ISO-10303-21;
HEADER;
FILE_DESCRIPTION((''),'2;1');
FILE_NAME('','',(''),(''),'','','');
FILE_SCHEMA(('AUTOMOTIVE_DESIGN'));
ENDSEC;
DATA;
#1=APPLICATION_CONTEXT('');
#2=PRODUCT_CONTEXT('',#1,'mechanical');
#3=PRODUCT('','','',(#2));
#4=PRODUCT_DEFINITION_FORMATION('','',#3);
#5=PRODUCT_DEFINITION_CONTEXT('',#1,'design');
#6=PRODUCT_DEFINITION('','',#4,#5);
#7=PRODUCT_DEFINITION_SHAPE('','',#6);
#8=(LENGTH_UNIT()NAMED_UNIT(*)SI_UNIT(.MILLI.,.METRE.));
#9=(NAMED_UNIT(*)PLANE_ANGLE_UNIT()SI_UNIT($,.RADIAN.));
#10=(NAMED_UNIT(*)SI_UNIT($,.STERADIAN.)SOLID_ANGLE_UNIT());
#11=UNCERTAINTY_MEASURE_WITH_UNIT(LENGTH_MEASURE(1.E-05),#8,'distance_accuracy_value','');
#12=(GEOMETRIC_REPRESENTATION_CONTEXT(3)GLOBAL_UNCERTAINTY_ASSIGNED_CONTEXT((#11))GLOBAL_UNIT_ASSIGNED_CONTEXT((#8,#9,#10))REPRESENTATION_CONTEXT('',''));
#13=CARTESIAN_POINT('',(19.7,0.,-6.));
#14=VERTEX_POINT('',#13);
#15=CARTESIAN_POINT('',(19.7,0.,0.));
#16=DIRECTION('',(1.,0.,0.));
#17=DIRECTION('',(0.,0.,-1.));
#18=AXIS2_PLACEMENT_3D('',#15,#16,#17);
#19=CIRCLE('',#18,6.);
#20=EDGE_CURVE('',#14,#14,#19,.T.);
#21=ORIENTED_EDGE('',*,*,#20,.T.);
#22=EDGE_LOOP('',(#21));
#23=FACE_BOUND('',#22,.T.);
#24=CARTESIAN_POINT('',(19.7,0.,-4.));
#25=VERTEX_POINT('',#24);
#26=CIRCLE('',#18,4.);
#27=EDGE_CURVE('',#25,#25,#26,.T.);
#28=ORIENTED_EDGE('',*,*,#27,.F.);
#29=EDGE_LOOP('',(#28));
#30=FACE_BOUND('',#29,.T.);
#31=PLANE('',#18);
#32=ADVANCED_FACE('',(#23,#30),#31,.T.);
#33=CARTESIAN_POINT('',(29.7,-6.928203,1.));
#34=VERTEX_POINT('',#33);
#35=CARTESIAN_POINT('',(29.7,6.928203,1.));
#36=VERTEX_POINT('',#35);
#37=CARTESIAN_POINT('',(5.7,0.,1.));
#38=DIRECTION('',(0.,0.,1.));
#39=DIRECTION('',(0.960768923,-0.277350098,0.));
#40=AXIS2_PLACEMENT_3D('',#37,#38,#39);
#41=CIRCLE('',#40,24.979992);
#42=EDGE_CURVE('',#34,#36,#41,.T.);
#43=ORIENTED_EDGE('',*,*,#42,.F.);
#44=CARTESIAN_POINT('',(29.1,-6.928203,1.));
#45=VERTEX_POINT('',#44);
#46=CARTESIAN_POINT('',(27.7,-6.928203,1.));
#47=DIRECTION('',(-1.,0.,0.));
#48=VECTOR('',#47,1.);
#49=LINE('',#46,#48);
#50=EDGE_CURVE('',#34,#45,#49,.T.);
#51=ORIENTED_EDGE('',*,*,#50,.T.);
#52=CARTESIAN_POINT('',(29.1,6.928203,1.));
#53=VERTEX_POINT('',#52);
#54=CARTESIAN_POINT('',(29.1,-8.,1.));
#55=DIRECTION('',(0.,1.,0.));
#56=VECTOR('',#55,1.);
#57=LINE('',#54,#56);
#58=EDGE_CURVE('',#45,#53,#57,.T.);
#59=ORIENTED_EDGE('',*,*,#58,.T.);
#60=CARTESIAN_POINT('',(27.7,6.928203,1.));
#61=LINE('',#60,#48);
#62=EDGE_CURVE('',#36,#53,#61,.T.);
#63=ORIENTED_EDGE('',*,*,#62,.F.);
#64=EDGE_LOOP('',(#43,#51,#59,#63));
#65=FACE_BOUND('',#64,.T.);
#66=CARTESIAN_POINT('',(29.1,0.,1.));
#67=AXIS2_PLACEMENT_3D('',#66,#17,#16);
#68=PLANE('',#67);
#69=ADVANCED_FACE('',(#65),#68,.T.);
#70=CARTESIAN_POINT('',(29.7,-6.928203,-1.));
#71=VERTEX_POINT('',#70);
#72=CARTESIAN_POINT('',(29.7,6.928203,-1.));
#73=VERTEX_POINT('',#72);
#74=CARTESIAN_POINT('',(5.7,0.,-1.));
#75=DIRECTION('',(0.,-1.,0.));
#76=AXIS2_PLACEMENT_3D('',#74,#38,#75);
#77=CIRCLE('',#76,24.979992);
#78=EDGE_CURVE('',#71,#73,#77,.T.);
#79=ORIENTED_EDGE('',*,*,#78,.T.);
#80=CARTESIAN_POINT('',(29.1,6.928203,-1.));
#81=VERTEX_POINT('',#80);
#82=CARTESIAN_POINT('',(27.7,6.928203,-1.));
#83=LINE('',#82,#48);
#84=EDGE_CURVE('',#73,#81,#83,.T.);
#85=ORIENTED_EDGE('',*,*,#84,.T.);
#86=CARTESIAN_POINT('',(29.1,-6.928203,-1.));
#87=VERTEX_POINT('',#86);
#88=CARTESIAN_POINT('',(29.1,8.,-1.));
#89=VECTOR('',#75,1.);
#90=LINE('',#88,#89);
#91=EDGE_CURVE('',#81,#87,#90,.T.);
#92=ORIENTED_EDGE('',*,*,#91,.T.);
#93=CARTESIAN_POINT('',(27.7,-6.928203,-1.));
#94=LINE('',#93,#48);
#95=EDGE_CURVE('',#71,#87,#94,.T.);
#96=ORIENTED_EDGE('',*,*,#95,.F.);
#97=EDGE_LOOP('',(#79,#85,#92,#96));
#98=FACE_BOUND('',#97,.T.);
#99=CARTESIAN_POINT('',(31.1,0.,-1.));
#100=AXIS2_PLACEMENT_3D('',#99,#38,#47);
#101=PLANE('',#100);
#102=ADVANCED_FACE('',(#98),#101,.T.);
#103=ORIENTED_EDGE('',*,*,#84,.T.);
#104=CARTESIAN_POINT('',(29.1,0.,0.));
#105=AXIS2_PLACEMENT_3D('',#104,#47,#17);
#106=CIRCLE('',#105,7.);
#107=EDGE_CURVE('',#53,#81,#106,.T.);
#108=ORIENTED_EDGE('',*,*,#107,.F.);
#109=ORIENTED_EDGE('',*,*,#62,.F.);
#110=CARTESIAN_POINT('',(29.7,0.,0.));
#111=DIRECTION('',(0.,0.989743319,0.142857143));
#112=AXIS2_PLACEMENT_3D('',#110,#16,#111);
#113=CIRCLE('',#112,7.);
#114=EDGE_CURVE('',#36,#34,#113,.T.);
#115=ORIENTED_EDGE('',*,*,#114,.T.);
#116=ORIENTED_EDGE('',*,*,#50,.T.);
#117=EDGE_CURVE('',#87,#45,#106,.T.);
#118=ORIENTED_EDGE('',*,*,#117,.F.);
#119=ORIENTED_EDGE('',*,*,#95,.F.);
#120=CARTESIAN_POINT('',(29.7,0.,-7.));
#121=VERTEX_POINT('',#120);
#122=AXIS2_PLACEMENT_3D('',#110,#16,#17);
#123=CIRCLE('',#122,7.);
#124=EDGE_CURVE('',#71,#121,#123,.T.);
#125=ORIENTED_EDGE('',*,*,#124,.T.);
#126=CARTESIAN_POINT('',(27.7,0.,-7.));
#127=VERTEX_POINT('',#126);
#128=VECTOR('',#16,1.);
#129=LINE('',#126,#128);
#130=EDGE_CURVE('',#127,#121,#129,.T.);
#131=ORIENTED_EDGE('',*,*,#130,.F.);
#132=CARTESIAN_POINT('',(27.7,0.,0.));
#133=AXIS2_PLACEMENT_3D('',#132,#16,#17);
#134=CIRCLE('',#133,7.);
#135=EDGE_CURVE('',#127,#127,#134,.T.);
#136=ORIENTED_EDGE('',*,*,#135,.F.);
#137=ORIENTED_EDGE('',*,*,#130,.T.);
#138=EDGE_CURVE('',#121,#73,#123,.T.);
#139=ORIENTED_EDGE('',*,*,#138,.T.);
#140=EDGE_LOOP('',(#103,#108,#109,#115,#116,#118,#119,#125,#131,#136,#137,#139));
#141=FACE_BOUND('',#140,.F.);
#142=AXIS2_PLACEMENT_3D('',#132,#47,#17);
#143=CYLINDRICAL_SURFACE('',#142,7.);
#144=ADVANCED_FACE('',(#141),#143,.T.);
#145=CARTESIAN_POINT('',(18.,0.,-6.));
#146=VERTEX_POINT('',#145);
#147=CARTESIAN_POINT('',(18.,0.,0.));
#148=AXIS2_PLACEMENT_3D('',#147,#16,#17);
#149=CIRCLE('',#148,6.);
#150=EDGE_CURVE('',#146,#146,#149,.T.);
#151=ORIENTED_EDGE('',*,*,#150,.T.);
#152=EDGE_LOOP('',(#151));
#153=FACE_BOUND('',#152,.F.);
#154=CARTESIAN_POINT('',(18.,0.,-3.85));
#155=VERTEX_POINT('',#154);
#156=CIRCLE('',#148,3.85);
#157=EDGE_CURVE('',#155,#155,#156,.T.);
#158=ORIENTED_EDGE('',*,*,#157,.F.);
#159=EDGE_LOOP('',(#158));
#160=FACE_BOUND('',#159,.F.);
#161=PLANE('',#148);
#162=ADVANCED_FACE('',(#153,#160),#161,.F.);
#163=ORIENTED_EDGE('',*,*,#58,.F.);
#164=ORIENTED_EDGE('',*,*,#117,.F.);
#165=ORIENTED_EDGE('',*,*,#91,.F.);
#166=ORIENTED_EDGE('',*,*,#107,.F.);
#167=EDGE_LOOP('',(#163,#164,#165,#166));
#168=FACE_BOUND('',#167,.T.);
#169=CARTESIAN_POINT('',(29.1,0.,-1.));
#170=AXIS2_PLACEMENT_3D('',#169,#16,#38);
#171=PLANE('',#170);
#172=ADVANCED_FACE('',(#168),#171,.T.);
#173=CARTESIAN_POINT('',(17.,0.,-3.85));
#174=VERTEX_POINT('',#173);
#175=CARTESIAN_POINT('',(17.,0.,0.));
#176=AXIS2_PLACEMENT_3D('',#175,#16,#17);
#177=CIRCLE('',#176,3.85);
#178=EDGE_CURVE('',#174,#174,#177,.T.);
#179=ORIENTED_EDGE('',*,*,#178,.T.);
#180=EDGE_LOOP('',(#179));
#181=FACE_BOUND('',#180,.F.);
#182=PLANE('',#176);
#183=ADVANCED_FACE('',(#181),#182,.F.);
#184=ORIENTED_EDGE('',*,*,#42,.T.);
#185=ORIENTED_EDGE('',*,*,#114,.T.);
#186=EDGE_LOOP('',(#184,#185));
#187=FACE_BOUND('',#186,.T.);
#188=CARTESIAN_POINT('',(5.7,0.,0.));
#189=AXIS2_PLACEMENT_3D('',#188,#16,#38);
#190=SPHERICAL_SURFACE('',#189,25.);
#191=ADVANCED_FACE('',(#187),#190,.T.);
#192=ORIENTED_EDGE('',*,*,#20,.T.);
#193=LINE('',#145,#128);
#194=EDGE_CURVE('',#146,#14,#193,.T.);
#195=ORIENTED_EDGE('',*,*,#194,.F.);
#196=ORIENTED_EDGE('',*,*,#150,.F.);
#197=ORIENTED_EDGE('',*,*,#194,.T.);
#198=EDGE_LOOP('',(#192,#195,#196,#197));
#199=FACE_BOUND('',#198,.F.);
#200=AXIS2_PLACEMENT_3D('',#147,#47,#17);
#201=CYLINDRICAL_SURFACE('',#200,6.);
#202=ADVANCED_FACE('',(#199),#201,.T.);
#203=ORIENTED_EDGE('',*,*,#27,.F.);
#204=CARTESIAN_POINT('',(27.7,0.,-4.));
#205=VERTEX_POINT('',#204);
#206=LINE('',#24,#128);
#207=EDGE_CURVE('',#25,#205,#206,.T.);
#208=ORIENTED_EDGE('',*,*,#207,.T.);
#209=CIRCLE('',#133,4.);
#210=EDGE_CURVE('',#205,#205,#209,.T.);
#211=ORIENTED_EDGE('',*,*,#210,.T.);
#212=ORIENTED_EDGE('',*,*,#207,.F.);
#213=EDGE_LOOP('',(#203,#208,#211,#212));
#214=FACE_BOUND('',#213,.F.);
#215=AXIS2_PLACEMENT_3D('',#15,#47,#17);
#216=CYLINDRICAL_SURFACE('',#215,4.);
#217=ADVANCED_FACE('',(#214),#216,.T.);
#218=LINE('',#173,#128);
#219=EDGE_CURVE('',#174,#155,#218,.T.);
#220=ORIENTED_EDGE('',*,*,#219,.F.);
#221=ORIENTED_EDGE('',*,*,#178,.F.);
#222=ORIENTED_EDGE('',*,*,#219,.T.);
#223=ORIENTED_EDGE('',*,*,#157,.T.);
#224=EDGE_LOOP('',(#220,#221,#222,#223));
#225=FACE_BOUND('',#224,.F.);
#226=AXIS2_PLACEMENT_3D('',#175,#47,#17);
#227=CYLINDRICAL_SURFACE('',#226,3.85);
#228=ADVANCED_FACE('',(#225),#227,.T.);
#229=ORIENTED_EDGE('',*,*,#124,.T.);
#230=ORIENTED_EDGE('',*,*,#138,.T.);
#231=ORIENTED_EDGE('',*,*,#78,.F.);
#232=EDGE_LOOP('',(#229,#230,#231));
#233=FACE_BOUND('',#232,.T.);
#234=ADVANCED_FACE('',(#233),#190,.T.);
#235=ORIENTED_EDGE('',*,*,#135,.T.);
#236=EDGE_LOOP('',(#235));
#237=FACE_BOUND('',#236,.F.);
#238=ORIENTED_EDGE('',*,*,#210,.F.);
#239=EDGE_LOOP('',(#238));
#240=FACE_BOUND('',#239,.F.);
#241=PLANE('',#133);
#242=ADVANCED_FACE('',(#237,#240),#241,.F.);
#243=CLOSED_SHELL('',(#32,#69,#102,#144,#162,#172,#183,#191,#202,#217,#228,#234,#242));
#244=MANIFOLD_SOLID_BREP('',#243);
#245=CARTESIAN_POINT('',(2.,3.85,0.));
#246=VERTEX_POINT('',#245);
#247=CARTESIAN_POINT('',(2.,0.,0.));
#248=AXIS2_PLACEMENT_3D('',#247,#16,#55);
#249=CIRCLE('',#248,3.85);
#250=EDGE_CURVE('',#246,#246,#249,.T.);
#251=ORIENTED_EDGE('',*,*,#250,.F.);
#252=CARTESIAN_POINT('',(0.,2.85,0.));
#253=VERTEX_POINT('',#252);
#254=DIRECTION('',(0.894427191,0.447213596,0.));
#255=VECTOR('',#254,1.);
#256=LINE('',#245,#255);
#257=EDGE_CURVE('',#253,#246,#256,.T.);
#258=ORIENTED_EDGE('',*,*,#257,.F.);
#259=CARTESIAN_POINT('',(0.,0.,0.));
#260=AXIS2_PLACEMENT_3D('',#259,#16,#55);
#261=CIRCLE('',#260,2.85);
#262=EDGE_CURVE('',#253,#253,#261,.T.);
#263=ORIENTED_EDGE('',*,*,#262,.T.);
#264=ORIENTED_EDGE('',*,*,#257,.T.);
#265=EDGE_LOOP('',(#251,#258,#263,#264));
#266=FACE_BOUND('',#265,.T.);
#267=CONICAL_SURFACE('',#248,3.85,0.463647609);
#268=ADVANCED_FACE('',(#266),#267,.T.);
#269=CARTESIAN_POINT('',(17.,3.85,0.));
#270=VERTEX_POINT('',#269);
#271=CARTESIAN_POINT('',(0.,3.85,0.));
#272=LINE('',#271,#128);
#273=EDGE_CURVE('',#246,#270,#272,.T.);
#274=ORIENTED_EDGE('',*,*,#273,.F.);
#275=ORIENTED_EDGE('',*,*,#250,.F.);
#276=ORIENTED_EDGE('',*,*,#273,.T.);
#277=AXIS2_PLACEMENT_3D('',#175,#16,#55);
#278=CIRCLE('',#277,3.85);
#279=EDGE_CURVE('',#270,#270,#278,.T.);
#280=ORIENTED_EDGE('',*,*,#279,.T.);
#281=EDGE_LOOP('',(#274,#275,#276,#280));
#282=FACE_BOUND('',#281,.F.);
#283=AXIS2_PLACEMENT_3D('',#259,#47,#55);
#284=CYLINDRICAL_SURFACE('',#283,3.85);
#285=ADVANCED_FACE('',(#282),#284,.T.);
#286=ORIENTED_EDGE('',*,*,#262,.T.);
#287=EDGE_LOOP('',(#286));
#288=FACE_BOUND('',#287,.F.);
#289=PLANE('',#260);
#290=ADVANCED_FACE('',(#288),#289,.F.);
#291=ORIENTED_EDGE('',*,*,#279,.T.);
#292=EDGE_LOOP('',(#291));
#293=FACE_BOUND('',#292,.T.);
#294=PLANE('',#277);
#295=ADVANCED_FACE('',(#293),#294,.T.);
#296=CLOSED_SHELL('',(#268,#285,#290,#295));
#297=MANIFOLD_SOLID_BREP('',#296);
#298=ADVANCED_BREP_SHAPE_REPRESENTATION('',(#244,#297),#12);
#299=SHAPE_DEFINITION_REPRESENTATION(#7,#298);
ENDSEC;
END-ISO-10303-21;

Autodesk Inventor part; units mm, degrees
ref_plane "YZ Plane" through (0, 0, 0) normal (1, 0, 0) x (0, 1, 0)
ref_plane "XZ Plane" through (0, 0, 0) normal (0, 1, 0) x (-1, 0, 0)
ref_plane "XY Plane" through (0, 0, 0) normal (0, 0, 1) x (1, 0, 0)
sketch "Sketch1" plane through (0, 0, 0) normal (1, 0, 0) x (0, 1, 0)
  circle A0 centre (0, 0) radius 3.85
  dimension "d0" = 7.7
extrude "Extrusion1" add sketch "Sketch1" along normal blind 17
chamfer "Chamfer1" distance 1 distance2 2 1 edges at (0, -3.85, 0) measured on face at (0, -0.2235, 0.9948)
thread "Thread1" size "M8x1.25" class "6g" standard "ANSI Metric M Profile" full length
sketch "Sketch2" plane through (17, 0, 0) normal (1, 0, 0) x (0, 0, -1)
  circle A0 centre (0, 0) radius 3.85 projected
extrude "Extrusion2" add sketch "Sketch2" along normal blind 1 separate body
sketch "Sketch3" plane through (18, 0, 0) normal (1, 0, 0) x (0, 0, -1)
  circle A0 centre (0, 0) radius 6
  dimension "d10" = 12
extrude "Extrusion3" add sketch "Sketch3" along normal blind 1.7 bodies 2
sketch "Sketch4" plane through (19.7, 0, 0) normal (1, 0, 0) x (0, 0, -1)
  circle A0 centre (0, 0) radius 4
  dimension "d13" = 8
extrude "Extrusion4" add sketch "Sketch4" along normal blind 8 bodies 2
sketch "Sketch5" plane through (27.7, 0, 0) normal (1, 0, 0) x (0, 0, -1)
  circle A0 centre (0, 0) radius 7
  dimension "d16" = 14
extrude "Extrusion5" add sketch "Sketch5" along normal blind 2 bodies 2
sketch "Sketch6" plane through (0, 0, 0) normal (0, 1, 0) x (-1, 0, 0)
  line L0 (-29.7, 7) -> (-29.7, 0)
  line L1 (-29.7, 0) -> (-30.7, 0)
  arc A0 (-29.7, 7) -> (-30.7, 0) centre (-5.7, 0) ccw
  point P0 (0, 0)
  dimension "d19" = 1
revolve "Revolution1" add sketch "Sketch6" angle 360 about axis through (29.7, 0, 0) along (1, 0, 0) bodies 2
sketch "Sketch7" plane through (0, 0, 0) normal (0, 1, 0) x (-1, 0, 0)
  line L0 (-27.7, -7) -> (-27.7, 7) projected
  line L1 (-27.7, 0) -> (-29.1, 0) construction
  line L2 (-29.1, 0) -> (-29.1, 1) construction
  line L3 (-29.1, 1) -> (-31.1, 1)
  line L4 (-31.1, 1) -> (-31.1, -1)
  line L5 (-31.1, -1) -> (-29.1, -1)
  line L6 (-29.1, -1) -> (-29.1, 1)
  point P0 (0, 0)
  dimension "d21" = 1.4
  dimension "d22" = 1
  dimension "d23" = 2
  dimension "d24" = 2
extrude "Extrusion6" cut sketch "Sketch7" along normal through all both and the other way through all bodies 2
properties part number "Segundo Parafuso da Ponte"
